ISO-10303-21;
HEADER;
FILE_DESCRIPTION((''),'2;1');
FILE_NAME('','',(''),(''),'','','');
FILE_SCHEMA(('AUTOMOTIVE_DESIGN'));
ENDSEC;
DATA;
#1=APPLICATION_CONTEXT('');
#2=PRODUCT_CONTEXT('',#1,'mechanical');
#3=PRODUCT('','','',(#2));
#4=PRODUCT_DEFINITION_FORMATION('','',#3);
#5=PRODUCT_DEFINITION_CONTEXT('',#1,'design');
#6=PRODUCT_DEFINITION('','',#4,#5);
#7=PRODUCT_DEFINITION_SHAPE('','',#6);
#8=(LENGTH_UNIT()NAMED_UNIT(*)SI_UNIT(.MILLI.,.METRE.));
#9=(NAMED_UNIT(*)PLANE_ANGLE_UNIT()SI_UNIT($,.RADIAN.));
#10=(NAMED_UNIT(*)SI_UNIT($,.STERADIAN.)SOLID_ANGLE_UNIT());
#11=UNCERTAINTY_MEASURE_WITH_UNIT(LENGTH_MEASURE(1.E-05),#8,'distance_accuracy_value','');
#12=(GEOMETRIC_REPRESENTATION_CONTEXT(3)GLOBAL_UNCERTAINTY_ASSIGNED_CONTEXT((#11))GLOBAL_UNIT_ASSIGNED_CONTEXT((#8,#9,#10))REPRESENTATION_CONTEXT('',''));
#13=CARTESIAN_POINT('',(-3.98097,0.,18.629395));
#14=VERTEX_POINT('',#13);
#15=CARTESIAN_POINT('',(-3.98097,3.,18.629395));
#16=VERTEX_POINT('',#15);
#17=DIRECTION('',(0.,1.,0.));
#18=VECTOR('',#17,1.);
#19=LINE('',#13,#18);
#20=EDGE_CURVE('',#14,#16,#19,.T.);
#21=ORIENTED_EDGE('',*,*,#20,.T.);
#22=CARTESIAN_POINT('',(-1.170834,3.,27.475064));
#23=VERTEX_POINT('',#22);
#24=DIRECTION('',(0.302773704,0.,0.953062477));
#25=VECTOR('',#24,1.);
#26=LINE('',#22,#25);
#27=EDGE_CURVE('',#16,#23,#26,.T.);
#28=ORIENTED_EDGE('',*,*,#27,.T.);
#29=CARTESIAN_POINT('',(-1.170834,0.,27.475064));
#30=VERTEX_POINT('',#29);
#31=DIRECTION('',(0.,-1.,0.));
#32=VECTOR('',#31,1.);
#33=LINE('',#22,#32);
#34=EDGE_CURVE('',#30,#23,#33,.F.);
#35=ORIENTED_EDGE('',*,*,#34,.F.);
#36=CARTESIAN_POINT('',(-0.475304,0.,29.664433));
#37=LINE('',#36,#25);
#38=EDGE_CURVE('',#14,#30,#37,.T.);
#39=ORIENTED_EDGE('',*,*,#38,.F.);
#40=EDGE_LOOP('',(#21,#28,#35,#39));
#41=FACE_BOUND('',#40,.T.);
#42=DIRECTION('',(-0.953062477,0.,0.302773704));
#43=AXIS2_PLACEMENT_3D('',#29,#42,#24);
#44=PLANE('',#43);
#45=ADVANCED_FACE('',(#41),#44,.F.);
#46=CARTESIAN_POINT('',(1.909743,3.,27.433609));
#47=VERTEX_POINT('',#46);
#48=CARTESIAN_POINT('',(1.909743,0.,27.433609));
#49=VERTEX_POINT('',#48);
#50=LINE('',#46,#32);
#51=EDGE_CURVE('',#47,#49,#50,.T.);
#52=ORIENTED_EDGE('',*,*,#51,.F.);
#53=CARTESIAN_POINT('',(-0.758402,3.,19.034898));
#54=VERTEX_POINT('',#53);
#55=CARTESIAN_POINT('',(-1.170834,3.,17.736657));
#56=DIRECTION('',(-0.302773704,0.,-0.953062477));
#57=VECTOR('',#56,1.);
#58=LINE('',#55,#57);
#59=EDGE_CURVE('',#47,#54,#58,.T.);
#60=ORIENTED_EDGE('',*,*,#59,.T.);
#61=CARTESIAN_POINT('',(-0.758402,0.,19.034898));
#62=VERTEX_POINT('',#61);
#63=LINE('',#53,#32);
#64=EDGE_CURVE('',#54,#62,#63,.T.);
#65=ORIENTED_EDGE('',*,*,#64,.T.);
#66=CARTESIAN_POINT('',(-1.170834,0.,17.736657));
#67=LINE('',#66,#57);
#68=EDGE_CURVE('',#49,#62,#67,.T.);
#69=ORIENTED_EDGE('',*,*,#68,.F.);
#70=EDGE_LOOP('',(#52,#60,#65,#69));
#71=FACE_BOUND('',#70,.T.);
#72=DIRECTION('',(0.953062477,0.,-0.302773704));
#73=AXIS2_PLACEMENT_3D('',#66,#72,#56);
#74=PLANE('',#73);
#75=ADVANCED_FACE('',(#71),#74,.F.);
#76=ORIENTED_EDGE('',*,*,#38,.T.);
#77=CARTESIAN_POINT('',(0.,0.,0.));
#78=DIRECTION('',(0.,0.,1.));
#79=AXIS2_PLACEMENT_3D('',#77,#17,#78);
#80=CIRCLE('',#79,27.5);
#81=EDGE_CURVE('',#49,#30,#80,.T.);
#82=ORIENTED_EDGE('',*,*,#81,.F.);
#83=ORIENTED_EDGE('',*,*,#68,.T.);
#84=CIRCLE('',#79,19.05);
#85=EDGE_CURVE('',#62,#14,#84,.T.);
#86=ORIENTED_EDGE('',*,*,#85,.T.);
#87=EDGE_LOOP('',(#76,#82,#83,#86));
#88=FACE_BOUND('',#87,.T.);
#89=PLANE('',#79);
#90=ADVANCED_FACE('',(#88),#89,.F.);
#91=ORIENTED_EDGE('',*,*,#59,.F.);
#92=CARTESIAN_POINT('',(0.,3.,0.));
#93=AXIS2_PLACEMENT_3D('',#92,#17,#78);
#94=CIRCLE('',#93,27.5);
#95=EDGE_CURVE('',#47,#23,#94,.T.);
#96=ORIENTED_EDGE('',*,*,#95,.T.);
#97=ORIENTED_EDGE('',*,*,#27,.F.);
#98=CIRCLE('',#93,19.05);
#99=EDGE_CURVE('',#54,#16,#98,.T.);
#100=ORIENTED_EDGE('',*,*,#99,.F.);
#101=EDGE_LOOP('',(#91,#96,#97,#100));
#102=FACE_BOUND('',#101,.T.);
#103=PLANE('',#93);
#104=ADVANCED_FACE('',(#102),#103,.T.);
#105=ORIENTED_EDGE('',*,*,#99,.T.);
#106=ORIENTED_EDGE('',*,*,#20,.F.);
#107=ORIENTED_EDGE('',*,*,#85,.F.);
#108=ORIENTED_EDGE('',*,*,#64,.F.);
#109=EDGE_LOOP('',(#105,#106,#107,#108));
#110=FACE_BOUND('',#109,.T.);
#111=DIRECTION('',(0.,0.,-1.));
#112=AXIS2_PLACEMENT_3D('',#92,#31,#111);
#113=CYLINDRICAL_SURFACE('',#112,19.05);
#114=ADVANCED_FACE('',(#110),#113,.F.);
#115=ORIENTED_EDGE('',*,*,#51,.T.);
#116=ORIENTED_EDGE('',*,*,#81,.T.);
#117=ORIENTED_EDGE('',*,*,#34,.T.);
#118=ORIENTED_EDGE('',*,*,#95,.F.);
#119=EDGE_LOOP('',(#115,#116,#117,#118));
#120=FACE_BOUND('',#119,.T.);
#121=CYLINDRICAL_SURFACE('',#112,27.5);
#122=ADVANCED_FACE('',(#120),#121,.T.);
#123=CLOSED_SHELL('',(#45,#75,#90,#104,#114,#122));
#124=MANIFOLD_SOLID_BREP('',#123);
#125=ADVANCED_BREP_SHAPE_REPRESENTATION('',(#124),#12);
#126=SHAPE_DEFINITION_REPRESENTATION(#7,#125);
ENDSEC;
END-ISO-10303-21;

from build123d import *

# Parameters (mm, degrees)
CROQUIS1_R              = 27.5
CROQUIS1_R_2            = 19.05
SALIENTE_EXTRUIR1_DEPTH = 3
CORTAR_EXTRUIR1_DEPTH   = 3


with BuildPart() as part:
    # Croquis1 → Saliente-Extruir1 (new body)
    with BuildSketch(Plane(origin=(0, 0, 0), x_dir=(1, 0, 0), z_dir=(0, 1, 0))):
        Circle(CROQUIS1_R)
        Circle(CROQUIS1_R_2, mode=Mode.SUBTRACT)
    extrude(amount=SALIENTE_EXTRUIR1_DEPTH)

    # Croquis2 → Cortar-Extruir1 (cut)
    with BuildSketch(Plane(origin=(0, 3, 0), x_dir=(1, 0, 0), z_dir=(0, 1, 0))):
        Polygon((-1.170833669, -27.475064122), (-3.980970396, -18.629395447), (-1.170833669, -17.73665701), (2.334832716, -28.771694214), (-0.475304011, -29.664432651), align=None)
    extrude(amount=-CORTAR_EXTRUIR1_DEPTH, mode=Mode.SUBTRACT)


solid = part.part
